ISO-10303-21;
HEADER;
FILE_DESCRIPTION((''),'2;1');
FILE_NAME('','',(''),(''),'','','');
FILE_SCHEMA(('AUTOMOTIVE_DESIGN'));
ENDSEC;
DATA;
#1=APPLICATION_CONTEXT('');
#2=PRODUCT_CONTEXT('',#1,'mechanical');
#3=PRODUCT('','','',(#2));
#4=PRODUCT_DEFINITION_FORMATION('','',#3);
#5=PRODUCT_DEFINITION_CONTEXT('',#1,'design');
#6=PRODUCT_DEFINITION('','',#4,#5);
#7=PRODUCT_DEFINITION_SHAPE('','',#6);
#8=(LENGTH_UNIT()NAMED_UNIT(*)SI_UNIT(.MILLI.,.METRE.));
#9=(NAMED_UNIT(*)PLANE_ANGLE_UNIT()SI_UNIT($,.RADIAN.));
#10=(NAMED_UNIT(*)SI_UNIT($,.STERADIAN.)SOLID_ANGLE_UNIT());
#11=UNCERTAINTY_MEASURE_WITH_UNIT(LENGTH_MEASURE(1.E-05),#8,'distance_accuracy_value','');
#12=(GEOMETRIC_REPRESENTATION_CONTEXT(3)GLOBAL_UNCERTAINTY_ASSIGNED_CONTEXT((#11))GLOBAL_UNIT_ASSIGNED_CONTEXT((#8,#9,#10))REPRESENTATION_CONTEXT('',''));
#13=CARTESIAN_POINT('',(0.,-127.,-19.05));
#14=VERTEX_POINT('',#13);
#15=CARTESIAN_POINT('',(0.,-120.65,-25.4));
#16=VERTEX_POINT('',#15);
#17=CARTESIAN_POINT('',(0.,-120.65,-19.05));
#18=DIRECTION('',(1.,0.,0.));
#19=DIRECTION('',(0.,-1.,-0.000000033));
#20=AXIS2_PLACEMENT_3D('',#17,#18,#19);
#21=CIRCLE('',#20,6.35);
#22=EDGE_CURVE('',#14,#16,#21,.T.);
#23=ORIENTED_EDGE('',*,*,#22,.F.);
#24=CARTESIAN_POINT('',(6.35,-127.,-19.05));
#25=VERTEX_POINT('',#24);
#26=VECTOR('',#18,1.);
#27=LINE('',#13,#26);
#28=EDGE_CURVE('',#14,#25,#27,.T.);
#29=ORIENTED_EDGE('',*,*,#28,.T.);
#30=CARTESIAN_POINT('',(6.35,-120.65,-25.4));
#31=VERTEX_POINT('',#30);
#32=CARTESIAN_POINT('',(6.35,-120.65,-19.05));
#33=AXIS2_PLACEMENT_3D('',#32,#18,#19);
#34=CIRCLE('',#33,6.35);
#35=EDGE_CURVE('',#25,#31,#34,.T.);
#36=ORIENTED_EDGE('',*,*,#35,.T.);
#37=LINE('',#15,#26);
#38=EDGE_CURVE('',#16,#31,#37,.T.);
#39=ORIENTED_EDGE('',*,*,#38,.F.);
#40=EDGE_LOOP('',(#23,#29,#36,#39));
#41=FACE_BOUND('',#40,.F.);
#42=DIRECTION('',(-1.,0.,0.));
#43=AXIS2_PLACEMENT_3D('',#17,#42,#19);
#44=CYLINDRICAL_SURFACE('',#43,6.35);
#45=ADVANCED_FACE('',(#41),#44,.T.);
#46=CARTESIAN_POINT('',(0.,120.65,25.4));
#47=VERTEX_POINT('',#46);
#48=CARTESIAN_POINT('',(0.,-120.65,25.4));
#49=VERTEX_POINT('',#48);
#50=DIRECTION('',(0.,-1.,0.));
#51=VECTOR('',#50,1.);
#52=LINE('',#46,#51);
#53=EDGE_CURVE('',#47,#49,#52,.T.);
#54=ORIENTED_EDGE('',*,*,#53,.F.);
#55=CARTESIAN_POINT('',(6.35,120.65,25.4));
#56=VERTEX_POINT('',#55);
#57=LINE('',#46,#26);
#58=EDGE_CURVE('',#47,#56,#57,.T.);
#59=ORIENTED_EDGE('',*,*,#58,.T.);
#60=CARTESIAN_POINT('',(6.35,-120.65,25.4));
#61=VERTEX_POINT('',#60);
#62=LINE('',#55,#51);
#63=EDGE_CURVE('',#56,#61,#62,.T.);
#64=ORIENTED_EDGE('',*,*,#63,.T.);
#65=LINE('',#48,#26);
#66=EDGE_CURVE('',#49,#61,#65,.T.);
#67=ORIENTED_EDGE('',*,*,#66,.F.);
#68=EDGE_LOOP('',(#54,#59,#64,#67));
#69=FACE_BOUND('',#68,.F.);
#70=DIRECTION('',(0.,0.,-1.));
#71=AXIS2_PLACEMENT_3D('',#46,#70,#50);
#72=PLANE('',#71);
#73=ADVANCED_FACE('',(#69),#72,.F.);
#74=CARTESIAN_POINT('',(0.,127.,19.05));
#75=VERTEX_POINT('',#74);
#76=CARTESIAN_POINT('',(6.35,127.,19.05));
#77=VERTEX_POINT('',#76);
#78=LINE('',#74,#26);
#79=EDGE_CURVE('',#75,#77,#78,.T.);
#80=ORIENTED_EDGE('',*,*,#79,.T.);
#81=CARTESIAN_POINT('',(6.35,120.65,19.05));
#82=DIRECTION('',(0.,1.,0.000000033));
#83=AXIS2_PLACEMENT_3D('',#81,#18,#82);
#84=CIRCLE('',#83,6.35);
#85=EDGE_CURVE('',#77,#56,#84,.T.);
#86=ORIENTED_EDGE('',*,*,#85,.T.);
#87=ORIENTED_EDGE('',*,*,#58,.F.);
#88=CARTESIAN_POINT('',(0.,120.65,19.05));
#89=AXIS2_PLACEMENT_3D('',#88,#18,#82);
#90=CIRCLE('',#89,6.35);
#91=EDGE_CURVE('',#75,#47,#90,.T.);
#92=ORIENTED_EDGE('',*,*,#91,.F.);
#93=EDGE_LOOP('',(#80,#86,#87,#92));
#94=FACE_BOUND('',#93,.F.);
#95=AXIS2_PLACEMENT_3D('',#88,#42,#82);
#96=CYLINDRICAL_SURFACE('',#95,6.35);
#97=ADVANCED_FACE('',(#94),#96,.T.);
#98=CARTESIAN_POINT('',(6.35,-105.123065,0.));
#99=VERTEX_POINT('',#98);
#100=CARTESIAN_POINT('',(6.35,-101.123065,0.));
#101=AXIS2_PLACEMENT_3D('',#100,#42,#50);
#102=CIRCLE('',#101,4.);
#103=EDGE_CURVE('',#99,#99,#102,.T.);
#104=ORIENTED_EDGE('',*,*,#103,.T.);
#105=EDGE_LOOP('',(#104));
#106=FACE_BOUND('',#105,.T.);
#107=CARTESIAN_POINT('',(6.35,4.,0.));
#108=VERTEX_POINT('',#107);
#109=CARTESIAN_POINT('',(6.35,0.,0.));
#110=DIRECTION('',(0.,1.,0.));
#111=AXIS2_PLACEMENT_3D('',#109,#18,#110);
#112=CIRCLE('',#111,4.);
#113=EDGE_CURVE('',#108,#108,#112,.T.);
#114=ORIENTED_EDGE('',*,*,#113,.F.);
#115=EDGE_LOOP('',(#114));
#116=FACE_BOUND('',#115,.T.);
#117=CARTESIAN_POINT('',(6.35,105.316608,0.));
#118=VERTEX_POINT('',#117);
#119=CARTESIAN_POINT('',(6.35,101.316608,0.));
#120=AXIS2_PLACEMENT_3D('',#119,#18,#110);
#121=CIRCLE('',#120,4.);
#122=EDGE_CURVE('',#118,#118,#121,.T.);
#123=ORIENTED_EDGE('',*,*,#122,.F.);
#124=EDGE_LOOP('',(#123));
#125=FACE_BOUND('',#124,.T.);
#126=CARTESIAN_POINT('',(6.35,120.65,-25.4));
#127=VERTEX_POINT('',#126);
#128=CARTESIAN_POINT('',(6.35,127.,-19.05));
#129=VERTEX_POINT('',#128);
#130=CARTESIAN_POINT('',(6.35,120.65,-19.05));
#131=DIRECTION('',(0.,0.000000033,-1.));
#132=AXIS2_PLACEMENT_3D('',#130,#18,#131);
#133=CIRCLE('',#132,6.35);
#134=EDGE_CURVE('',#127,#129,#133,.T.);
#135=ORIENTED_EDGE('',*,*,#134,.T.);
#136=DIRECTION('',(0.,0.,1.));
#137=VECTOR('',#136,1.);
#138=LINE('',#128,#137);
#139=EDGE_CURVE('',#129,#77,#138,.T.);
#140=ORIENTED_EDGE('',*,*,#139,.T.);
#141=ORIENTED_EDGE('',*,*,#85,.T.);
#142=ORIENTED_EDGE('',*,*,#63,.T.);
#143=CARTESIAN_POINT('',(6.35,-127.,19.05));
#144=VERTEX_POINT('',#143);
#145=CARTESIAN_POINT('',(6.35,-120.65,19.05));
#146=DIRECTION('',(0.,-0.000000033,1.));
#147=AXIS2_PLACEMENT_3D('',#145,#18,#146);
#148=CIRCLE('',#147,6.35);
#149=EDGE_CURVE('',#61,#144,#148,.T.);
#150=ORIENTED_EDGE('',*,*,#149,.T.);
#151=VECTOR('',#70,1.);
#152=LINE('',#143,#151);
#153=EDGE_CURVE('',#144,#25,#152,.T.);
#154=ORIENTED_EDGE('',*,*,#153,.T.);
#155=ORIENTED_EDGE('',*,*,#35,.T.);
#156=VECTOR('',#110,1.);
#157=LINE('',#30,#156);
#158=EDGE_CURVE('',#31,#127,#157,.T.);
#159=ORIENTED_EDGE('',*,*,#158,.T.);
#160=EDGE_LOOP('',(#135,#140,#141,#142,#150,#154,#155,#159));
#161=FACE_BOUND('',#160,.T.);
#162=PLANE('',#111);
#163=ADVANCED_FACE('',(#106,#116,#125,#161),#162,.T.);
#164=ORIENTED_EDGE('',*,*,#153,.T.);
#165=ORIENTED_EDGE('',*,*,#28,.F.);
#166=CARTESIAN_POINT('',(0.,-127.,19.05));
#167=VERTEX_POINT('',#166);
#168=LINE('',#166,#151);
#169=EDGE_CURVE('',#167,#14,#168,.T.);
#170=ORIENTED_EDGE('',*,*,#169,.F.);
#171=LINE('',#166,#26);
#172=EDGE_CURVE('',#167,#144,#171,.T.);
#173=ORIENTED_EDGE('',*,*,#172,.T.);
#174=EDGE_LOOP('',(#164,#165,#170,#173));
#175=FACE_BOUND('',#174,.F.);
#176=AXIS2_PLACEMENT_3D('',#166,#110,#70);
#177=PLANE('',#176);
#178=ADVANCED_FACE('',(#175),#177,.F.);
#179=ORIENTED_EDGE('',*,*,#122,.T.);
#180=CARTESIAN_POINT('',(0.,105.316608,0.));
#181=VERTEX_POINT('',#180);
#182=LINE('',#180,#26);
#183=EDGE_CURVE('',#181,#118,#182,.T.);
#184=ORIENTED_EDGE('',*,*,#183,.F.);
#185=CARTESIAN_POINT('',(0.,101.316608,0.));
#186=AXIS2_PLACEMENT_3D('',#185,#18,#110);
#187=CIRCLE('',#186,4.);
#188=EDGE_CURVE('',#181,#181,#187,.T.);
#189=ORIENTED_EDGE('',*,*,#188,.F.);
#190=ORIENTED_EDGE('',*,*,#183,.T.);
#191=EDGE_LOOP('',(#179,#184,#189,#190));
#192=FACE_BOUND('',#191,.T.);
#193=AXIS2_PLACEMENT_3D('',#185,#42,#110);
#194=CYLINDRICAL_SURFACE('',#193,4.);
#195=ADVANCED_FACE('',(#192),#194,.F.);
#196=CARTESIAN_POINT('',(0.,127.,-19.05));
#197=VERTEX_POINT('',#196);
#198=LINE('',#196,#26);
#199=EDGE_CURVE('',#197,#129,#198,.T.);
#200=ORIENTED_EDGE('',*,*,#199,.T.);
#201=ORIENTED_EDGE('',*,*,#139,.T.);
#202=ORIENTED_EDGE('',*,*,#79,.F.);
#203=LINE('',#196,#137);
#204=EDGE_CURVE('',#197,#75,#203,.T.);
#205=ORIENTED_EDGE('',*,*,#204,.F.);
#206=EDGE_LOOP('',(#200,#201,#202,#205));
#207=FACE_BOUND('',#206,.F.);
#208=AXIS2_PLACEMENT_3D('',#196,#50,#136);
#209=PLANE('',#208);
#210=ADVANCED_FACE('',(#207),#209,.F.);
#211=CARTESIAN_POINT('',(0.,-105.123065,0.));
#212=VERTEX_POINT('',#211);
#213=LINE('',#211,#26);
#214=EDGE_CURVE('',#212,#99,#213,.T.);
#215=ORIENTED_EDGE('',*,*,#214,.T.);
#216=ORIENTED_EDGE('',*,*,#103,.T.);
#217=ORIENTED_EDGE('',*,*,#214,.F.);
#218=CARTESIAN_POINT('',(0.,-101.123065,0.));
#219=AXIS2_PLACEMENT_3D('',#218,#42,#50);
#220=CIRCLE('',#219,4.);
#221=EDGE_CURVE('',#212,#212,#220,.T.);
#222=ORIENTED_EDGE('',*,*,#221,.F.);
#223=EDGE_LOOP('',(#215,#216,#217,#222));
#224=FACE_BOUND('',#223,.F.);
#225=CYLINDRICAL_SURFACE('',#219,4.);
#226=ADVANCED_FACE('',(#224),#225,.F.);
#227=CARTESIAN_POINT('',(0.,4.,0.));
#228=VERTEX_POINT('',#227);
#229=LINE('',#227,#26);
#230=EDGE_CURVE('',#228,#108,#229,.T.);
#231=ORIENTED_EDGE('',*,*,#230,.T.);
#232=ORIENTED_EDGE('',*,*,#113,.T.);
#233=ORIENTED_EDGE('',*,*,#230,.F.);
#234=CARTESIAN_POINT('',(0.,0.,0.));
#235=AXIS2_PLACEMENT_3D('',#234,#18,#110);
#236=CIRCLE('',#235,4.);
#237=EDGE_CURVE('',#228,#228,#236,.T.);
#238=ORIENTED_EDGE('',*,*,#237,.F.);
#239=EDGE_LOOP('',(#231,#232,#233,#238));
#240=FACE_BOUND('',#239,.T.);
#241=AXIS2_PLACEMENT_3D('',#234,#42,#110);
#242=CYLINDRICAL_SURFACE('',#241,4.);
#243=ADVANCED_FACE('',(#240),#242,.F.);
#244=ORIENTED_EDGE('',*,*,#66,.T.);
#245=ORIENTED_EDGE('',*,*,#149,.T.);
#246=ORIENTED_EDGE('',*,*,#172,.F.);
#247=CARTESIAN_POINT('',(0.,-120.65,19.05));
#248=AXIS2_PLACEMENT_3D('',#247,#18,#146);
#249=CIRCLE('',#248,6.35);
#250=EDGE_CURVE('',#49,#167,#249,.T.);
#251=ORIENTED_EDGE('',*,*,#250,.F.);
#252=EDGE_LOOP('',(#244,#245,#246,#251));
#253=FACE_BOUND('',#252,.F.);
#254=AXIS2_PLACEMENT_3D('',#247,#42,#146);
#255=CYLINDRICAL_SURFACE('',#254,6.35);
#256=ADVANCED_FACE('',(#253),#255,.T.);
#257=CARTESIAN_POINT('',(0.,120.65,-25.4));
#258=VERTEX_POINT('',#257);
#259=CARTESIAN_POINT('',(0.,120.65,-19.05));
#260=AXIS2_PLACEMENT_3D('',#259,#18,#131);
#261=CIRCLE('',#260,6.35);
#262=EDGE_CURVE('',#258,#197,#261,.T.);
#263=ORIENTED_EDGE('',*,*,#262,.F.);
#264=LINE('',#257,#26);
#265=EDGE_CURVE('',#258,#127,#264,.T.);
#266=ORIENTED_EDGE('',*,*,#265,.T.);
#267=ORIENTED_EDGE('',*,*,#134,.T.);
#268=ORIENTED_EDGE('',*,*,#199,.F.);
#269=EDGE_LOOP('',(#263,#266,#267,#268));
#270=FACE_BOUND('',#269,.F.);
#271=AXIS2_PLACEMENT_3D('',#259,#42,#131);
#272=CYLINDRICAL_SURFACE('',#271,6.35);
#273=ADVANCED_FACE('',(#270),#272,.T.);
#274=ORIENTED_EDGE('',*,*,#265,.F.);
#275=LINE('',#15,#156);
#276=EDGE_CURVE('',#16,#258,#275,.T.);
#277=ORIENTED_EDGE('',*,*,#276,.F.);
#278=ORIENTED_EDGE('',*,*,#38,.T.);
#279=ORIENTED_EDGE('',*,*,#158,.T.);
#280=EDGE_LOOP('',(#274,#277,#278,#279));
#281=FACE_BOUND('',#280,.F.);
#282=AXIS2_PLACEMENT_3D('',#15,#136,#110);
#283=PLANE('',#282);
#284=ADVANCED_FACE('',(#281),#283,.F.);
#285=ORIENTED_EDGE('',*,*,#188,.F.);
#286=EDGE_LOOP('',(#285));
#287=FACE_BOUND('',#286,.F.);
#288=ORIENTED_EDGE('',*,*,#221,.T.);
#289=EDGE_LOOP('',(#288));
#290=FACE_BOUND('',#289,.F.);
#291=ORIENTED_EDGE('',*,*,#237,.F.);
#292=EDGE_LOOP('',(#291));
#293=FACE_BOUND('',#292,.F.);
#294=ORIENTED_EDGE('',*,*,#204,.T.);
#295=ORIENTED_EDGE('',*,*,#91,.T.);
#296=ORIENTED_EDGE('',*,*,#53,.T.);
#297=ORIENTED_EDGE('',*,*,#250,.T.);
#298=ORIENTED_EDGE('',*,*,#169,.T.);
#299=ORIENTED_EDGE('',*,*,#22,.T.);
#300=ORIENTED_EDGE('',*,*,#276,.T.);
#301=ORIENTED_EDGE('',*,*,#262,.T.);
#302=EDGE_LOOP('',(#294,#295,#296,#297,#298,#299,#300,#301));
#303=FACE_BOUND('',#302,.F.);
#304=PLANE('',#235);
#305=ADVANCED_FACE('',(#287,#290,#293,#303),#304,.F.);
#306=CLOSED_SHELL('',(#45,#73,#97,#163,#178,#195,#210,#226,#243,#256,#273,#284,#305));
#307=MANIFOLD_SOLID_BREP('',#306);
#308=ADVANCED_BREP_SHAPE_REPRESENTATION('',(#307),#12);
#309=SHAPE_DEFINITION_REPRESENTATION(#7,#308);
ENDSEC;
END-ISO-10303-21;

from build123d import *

# Parameters (mm, degrees)
F0_R     = 4
F1_DEPTH = 6.35


with BuildPart() as f1:
    # F0 (on Right) → F1 (new body)
    with BuildSketch(Plane.YZ):
        with BuildLine():
            Line((120.65, 25.4), (-120.65, 25.4))
            ThreePointArc((-120.65, 25.4), (-125.140128, 23.540128), (-127, 19.05))
            Line((-127, 19.05), (-127, 0))
            Line((-127, 0), (-127, -19.05))
            ThreePointArc((-127, -19.05), (-125.140128, -23.540128), (-120.65, -25.4))
            Line((-120.65, -25.4), (120.65, -25.4))
            ThreePointArc((120.65, -25.4), (125.140128, -23.540128), (127, -19.05))
            Line((127, -19.05), (127, 0))
            Line((127, 0), (127, 19.05))
            ThreePointArc((127, 19.05), (125.140128, 23.540128), (120.65, 25.4))
        make_face()
        with BuildLine():
            ThreePointArc((-97.123065, 0), (-101.123065, -4), (-105.123065, 0))
            ThreePointArc((-105.123065, 0), (-101.123065, 4), (-97.123065, 0))
        make_face(mode=Mode.SUBTRACT)
        Circle(F0_R, mode=Mode.SUBTRACT)
        with Locations((101.316608, 0)):
            Circle(F0_R, mode=Mode.SUBTRACT)
    extrude(amount=F1_DEPTH)


solid = f1.part
